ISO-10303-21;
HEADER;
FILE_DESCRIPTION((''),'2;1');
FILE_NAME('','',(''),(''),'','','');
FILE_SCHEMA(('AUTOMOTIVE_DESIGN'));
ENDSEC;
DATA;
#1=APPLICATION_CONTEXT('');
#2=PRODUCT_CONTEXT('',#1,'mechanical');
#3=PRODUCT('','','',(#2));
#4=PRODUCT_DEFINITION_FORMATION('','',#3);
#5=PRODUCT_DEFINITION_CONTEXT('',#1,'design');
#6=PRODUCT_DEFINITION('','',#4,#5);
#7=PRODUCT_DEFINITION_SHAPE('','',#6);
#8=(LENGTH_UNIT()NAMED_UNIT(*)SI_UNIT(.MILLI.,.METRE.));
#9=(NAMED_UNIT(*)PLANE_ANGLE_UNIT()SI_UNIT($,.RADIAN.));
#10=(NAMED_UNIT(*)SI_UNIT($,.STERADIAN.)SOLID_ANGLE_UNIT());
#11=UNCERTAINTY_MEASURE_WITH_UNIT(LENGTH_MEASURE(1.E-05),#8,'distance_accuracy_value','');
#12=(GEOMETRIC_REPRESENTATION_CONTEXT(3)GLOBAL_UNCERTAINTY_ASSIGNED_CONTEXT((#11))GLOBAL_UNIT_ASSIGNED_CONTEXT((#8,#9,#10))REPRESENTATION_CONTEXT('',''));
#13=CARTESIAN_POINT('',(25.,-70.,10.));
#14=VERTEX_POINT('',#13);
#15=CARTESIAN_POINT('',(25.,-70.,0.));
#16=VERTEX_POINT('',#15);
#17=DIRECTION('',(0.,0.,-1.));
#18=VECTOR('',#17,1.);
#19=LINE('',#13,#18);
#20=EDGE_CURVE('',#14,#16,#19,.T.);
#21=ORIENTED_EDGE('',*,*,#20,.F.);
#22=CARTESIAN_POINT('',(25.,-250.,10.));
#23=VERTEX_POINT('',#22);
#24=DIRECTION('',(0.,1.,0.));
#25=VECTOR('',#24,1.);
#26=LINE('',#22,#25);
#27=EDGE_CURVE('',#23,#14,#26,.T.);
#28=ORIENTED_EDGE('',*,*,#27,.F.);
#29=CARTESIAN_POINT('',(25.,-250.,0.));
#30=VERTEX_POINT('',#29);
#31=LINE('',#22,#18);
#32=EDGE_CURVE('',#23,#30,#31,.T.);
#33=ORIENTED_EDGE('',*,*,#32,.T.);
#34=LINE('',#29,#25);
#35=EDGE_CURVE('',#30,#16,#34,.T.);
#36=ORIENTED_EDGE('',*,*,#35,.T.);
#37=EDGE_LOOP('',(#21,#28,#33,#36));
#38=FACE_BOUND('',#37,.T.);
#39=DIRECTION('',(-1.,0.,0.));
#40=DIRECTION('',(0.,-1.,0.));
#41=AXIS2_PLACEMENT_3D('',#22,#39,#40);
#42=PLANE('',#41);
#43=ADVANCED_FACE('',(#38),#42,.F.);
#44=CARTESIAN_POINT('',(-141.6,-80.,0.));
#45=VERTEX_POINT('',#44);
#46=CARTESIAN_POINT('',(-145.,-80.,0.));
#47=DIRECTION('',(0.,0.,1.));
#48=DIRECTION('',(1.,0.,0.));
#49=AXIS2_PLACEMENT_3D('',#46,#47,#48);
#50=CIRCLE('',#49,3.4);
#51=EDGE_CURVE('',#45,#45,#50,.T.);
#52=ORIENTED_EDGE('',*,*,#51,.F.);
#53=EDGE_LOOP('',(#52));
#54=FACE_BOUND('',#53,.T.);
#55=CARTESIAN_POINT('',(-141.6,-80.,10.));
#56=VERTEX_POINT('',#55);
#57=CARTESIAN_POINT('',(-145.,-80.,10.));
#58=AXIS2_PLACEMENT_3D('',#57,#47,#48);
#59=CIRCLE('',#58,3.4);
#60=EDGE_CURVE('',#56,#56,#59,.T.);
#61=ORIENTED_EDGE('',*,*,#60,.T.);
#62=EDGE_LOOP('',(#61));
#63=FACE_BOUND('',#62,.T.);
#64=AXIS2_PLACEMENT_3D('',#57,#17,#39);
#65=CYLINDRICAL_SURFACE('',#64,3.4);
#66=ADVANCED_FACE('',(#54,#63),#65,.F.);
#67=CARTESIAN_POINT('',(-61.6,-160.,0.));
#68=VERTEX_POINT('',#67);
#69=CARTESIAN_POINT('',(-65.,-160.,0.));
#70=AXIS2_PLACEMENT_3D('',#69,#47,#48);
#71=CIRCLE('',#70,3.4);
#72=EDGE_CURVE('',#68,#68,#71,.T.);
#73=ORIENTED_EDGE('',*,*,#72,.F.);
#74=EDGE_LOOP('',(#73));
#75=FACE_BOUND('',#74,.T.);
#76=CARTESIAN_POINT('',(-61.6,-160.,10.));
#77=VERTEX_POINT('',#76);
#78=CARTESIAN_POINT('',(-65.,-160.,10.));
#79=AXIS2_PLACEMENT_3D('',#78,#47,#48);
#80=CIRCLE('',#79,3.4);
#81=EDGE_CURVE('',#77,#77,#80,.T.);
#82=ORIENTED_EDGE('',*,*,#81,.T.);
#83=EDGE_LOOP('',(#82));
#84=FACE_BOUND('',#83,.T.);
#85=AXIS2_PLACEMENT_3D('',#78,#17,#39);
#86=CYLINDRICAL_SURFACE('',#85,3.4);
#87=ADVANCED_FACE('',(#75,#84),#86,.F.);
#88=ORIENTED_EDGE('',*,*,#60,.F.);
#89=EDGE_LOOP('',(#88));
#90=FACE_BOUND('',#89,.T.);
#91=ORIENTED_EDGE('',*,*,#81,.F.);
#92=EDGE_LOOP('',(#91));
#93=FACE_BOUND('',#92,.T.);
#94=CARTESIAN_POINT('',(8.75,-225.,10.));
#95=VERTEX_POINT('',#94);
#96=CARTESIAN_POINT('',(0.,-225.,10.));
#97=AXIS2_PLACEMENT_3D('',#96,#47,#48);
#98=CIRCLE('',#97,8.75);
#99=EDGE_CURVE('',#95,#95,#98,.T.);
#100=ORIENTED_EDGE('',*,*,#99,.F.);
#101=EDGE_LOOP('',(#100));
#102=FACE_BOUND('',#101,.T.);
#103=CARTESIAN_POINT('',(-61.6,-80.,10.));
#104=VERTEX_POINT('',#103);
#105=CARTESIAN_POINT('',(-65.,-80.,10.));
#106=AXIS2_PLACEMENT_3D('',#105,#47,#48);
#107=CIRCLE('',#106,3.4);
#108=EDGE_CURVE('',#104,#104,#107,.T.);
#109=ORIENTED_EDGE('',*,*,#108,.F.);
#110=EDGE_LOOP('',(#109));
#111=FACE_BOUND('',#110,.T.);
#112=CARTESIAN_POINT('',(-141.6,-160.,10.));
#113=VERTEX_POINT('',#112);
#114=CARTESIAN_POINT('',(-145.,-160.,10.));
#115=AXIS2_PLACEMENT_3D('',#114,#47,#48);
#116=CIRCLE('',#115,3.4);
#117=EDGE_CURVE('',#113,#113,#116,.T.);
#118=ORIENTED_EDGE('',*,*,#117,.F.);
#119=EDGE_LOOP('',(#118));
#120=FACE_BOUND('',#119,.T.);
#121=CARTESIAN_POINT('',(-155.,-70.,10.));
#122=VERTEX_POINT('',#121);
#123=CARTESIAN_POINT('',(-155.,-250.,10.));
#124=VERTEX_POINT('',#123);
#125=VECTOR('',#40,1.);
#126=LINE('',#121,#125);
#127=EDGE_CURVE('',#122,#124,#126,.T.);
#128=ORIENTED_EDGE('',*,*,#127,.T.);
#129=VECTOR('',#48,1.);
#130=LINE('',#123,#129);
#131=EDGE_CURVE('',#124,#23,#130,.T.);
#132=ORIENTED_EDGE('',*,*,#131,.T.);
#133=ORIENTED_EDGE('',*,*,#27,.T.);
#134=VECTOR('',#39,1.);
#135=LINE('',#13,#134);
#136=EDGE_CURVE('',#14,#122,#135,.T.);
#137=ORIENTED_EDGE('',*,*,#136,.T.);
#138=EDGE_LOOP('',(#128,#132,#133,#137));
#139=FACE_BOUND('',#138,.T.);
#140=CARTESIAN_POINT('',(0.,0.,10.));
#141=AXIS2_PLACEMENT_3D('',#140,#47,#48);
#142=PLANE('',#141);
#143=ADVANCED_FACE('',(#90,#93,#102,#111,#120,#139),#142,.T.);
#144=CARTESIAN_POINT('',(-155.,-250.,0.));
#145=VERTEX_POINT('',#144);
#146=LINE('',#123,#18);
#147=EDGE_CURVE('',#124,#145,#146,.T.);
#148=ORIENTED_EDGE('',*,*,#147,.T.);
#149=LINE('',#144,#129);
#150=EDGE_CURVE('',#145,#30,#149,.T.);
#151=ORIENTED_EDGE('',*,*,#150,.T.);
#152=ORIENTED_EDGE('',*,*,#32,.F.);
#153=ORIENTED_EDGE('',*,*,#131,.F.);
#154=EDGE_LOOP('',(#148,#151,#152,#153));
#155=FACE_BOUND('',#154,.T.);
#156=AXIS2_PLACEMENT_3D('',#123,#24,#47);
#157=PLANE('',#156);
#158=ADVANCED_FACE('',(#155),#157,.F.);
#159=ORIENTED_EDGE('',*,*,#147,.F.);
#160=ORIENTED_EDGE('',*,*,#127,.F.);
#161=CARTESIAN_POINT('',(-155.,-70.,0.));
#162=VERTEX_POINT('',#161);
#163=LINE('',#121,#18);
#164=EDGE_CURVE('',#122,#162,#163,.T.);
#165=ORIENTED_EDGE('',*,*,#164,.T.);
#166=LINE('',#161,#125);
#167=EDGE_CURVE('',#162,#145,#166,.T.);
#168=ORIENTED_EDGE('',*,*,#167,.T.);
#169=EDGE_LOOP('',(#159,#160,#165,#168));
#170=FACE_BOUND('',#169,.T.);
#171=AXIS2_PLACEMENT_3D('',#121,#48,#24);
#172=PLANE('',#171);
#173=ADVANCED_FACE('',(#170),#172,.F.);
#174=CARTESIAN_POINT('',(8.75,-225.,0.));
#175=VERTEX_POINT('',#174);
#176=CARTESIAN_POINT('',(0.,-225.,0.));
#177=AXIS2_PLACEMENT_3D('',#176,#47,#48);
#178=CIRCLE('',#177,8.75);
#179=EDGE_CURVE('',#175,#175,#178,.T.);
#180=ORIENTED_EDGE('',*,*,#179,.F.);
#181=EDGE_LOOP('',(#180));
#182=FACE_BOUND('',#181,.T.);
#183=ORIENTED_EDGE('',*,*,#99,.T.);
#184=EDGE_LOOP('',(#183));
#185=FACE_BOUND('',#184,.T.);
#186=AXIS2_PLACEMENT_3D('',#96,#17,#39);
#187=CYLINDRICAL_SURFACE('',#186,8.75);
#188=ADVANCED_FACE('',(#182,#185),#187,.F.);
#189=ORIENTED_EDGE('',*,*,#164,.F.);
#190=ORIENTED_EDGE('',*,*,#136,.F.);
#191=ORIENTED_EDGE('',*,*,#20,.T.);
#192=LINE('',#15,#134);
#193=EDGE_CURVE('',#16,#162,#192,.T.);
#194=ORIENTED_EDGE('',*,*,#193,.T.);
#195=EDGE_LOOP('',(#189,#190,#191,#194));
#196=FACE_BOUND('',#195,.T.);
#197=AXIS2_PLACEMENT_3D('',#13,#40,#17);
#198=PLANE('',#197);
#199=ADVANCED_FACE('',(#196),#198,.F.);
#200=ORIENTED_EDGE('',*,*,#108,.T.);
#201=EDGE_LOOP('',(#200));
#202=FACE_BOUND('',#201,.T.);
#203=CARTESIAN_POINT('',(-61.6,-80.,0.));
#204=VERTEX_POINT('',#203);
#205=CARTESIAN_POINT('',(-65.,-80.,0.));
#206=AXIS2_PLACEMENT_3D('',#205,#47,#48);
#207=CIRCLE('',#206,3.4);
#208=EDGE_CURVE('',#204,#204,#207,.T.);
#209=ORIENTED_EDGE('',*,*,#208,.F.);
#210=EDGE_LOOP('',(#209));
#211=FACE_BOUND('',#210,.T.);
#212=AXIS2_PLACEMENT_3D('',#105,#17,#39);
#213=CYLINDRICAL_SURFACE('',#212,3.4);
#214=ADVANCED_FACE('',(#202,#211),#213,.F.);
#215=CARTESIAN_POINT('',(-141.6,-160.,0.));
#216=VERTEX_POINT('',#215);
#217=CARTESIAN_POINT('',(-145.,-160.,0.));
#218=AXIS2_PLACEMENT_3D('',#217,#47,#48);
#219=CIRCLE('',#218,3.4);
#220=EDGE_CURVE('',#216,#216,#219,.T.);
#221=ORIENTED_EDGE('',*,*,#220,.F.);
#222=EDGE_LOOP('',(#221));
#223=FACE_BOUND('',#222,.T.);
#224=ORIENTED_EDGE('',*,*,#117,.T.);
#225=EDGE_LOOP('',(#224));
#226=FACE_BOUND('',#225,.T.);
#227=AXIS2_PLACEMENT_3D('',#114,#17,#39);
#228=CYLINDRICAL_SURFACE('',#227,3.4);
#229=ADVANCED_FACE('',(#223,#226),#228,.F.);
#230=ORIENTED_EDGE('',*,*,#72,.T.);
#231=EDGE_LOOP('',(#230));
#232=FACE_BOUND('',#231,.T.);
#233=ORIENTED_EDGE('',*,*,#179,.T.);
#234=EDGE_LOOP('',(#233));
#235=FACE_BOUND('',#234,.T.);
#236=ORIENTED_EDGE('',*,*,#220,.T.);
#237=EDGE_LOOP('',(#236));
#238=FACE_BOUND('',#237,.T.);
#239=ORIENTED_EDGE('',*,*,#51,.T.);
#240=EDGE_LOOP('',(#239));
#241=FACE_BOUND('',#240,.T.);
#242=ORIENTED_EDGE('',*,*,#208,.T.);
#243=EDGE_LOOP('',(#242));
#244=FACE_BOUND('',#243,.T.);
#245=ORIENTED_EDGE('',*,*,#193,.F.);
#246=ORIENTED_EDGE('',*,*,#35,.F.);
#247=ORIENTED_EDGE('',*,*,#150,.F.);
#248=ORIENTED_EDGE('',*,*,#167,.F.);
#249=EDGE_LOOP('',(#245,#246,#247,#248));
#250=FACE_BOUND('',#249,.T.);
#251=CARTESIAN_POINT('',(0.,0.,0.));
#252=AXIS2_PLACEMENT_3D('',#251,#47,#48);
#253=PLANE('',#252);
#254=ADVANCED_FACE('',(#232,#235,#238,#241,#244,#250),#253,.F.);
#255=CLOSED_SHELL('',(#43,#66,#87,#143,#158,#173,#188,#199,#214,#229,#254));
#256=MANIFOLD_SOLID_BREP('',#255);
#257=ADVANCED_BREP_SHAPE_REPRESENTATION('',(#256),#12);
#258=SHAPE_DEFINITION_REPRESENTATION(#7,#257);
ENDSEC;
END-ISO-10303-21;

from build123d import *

# Parameters (mm, degrees)
SKETCH_1_W      = 180
SKETCH_1_H      = 180
SKETCH_1_R      = 3.4
SKETCH_1_R_2    = 8.75
EXTRUDE_1_DEPTH = 10


with BuildPart() as part:
    # 草图1 → 凸台-拉伸1 (new body)
    with BuildSketch(Plane(origin=(0, 0, 0), x_dir=(-1, 0, 0), z_dir=(0, 0, 1))):
        with Locations((65, 160)):
            Rectangle(SKETCH_1_W, SKETCH_1_H)
        with Locations(Location((145, 160, 0), (0, 0, 180))):
            Circle(SKETCH_1_R, mode=Mode.SUBTRACT)
        with Locations(Location((65, 160, 0), (0, 0, 180))):
            Circle(SKETCH_1_R, mode=Mode.SUBTRACT)
        with Locations(Location((0, 225, 0), (0, 0, 180))):
            Circle(SKETCH_1_R_2, mode=Mode.SUBTRACT)
        with Locations(Location((145, 80, 0), (0, 0, 180))):
            Circle(SKETCH_1_R, mode=Mode.SUBTRACT)
        with Locations(Location((65, 80, 0), (0, 0, 180))):
            Circle(SKETCH_1_R, mode=Mode.SUBTRACT)
    extrude(amount=EXTRUDE_1_DEPTH)


solid = part.part
